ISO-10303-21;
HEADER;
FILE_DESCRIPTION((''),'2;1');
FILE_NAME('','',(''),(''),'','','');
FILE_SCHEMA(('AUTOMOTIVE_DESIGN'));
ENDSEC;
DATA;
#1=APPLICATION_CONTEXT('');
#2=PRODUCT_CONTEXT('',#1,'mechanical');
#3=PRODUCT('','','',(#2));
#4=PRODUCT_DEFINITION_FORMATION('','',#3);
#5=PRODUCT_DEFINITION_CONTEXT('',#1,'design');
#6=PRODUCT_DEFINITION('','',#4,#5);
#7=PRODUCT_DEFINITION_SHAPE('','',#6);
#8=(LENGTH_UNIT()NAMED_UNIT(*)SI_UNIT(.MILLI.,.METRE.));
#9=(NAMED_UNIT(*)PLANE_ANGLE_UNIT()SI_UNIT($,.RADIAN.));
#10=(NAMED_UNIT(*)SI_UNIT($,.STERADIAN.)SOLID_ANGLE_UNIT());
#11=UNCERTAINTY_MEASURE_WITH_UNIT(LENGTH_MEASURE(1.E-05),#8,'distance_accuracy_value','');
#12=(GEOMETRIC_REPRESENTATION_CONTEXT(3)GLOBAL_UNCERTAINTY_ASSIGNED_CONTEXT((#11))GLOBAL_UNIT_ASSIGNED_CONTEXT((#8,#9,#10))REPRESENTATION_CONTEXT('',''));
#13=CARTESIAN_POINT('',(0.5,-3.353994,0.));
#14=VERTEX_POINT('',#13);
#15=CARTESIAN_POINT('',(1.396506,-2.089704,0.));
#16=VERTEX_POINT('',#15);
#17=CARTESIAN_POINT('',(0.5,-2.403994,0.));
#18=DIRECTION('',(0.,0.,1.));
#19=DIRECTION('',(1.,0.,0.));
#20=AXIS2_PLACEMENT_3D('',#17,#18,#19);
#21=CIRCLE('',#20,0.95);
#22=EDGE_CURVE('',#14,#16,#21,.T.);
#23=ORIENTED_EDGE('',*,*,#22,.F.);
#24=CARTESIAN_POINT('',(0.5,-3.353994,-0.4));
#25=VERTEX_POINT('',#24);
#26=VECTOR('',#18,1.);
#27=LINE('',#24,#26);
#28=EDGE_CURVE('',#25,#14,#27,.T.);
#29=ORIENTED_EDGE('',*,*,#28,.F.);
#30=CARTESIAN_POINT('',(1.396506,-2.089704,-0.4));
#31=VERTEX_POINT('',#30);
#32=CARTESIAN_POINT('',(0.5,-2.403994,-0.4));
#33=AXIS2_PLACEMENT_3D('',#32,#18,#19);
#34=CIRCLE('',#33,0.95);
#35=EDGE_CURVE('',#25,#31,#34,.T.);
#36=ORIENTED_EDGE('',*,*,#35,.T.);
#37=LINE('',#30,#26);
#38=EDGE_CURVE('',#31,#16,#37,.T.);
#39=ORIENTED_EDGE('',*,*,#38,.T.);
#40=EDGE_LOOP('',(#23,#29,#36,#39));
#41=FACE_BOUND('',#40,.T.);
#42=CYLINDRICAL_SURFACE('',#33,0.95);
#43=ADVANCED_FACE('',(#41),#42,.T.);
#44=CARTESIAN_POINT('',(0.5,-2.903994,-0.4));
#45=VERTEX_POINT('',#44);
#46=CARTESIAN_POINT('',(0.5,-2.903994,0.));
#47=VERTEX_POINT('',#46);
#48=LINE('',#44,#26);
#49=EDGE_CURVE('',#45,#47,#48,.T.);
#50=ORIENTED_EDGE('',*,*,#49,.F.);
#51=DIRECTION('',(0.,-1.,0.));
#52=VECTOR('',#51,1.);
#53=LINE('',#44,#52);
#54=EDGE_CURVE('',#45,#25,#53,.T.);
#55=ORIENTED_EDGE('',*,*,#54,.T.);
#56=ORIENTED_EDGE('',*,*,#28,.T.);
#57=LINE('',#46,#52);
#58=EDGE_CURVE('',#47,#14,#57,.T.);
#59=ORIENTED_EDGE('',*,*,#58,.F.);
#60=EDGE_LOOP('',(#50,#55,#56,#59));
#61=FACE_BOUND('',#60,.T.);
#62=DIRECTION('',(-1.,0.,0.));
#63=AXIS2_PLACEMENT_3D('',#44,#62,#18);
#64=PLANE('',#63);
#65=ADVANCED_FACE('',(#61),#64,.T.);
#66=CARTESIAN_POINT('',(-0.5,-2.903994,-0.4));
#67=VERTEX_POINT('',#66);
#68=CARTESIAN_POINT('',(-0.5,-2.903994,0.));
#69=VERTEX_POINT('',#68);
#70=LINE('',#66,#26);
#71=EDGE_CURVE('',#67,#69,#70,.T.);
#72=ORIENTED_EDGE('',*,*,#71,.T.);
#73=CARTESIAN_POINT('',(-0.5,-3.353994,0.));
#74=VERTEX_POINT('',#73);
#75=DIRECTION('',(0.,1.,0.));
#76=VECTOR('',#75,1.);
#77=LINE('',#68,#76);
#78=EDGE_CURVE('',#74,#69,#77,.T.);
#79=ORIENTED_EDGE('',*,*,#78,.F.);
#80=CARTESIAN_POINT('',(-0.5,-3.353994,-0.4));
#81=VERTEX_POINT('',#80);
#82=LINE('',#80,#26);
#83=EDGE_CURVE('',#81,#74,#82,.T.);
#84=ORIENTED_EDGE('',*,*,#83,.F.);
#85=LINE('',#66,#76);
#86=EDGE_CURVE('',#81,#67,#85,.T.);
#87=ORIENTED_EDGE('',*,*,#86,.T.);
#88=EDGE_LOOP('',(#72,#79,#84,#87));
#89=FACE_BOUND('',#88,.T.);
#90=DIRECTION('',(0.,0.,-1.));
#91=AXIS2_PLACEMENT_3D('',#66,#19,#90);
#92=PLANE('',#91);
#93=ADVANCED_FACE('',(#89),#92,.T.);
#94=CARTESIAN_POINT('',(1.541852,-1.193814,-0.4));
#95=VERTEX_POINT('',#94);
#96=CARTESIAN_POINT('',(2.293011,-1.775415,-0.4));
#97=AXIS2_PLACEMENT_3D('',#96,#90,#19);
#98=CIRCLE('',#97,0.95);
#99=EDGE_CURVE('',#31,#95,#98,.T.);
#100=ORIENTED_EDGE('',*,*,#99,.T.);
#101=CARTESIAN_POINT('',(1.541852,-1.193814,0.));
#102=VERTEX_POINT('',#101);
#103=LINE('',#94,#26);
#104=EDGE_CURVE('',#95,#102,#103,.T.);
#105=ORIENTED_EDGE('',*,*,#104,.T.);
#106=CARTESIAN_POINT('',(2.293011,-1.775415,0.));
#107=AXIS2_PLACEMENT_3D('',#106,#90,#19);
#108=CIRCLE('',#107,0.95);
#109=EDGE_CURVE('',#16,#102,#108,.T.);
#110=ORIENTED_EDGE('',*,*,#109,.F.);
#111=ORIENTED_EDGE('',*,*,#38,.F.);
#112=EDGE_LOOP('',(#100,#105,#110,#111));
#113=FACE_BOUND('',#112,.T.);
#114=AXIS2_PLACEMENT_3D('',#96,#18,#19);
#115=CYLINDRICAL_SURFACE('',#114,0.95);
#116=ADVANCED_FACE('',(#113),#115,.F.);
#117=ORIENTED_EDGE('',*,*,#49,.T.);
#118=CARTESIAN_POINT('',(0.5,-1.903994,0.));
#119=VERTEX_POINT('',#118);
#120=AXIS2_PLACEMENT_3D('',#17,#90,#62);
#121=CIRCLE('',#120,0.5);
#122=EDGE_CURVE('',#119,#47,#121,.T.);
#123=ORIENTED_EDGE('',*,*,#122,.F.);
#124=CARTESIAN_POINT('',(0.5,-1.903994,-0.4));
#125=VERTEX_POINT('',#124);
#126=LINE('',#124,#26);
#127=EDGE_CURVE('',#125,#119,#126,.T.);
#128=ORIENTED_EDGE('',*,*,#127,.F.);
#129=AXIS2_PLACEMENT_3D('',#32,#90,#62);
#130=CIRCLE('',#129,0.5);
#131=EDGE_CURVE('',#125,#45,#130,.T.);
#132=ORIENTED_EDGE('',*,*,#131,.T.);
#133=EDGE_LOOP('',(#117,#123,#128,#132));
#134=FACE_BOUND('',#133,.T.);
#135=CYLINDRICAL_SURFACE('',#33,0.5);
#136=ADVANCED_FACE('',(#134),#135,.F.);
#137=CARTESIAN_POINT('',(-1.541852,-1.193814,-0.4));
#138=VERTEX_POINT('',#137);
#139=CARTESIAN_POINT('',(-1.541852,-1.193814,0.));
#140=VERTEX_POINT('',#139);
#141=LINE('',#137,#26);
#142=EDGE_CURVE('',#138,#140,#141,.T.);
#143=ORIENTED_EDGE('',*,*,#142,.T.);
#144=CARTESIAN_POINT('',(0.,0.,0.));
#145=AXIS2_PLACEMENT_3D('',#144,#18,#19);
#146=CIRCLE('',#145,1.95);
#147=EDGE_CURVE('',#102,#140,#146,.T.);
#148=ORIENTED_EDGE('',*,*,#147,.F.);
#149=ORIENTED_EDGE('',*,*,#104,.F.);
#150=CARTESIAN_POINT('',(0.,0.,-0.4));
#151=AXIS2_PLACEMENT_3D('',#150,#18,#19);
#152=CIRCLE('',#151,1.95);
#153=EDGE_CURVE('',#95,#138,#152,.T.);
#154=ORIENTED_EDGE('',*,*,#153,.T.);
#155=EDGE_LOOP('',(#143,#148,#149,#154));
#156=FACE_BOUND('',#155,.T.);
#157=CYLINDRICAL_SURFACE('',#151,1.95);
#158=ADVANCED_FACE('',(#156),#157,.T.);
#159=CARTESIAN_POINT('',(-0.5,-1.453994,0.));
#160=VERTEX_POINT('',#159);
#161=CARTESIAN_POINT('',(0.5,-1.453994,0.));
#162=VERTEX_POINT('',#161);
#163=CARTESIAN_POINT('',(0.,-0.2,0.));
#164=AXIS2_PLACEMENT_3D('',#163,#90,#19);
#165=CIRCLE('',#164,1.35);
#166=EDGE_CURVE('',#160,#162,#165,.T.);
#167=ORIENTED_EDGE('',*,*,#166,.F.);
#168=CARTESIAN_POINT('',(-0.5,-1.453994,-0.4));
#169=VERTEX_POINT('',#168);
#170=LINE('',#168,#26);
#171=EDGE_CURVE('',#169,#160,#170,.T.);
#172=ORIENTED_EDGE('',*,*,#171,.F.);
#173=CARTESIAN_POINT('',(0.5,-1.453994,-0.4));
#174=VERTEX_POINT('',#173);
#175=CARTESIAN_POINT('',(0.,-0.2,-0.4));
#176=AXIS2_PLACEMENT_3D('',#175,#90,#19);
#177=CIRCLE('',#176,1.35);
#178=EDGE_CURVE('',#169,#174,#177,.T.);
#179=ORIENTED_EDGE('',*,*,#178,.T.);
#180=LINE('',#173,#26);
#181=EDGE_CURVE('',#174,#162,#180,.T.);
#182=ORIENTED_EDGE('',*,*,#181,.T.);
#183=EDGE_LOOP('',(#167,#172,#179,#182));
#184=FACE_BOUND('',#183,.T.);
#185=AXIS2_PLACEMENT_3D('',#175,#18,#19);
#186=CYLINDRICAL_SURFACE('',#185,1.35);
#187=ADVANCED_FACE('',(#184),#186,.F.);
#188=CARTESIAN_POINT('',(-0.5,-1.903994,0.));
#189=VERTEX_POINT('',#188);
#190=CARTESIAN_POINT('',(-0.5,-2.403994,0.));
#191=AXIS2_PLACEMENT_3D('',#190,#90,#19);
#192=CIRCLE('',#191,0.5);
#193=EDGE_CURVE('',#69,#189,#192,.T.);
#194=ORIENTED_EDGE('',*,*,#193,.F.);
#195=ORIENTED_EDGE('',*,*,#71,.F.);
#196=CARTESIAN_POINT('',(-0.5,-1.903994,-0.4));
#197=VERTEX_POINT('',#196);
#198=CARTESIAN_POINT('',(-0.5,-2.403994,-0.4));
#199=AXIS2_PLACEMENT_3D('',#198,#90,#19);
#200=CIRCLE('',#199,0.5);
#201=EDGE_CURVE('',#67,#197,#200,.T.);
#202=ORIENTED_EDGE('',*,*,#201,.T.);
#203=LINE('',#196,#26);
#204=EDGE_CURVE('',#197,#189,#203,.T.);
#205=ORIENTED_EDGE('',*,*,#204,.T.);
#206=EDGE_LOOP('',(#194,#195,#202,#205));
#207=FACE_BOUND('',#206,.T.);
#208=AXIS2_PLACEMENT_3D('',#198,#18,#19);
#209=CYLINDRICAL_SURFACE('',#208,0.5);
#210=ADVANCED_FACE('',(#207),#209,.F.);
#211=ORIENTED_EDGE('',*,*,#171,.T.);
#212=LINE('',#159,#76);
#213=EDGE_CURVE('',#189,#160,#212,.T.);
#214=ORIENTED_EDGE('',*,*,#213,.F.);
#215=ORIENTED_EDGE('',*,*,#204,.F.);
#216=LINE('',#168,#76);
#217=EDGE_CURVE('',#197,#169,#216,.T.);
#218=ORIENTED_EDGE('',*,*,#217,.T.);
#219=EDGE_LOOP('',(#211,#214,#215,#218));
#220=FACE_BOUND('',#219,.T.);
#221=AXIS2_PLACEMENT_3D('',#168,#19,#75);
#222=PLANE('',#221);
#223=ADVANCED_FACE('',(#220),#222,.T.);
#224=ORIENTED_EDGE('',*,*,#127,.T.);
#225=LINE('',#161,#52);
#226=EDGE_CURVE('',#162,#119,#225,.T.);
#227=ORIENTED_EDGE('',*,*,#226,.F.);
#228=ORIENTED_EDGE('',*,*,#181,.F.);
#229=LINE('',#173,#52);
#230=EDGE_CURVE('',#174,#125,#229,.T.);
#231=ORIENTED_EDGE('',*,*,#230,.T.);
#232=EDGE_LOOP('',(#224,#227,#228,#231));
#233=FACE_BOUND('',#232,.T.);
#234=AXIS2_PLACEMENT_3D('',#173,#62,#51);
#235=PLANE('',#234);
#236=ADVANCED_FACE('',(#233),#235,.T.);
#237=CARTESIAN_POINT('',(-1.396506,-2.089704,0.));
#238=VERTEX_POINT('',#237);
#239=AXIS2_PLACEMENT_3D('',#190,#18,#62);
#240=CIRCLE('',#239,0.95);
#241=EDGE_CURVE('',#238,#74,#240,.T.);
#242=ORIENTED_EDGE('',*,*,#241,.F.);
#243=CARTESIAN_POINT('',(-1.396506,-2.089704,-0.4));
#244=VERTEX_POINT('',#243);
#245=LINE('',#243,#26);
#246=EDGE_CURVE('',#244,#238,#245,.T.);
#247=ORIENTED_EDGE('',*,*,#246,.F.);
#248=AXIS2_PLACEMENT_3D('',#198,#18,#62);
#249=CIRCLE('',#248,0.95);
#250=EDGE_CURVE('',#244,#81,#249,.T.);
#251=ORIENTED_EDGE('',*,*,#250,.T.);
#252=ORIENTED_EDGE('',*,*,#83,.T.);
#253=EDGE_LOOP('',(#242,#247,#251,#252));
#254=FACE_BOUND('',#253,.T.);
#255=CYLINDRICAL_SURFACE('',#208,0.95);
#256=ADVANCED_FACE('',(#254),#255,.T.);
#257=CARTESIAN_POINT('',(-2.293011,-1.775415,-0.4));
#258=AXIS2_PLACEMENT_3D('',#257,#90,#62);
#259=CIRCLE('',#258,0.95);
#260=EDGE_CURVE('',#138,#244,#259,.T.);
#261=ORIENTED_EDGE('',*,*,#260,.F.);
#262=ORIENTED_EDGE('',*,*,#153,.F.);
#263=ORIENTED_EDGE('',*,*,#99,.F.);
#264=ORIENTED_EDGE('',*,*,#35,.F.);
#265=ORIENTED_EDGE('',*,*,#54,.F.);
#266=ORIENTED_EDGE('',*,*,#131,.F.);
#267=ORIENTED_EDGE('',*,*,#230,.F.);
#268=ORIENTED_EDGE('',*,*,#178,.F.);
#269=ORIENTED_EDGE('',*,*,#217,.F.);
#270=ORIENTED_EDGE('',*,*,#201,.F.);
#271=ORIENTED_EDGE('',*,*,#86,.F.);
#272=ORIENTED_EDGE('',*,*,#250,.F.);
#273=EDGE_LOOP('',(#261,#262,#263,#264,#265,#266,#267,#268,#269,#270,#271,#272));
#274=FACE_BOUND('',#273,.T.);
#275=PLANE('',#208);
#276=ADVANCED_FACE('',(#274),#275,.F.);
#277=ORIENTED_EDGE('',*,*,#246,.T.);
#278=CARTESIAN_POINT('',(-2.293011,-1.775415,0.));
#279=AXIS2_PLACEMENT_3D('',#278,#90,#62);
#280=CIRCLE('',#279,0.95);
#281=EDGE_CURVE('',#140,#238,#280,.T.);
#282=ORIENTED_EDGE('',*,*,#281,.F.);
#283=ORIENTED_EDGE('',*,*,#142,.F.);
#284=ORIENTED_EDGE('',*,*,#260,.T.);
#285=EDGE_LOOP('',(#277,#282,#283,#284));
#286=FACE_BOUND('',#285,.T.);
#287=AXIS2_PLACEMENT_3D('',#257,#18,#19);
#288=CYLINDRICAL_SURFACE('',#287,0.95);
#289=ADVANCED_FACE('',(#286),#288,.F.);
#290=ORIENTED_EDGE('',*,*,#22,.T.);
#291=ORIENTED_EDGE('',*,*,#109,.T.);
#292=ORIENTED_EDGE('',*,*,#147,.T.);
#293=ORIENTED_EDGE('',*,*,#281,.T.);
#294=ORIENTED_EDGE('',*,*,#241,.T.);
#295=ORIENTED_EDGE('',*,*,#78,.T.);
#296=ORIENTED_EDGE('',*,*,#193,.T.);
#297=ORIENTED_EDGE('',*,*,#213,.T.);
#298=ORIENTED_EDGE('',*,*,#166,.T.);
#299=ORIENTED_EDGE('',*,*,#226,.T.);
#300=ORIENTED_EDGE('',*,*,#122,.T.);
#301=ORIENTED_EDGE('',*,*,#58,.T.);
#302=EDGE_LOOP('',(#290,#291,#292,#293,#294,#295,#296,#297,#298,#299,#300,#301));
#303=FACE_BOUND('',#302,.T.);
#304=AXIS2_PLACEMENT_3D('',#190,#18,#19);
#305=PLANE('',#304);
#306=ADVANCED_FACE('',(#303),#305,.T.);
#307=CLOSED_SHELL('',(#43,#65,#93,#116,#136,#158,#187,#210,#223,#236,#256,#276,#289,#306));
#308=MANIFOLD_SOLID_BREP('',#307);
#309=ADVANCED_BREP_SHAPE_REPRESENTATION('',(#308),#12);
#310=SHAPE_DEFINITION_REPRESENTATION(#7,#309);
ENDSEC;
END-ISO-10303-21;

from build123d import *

# Parameters (mm, degrees)
BODY_DEPTH = 0.4


with BuildPart() as part:
    # Sketch1 → Body (new body)
    with BuildSketch(Plane.XY):
        with BuildLine():
            Line((-0.5, -1.45399362), (-0.5, -1.90399362))
            ThreePointArc((-0.5, -1.90399362), (-1, -2.40399362), (-0.5, -2.90399362))
            Line((-0.5, -2.90399362), (-0.5, -3.35399362))
            ThreePointArc((-0.5, -3.35399362), (-1.274943451, -2.953504901), (-1.396505618, -2.089704458))
            ThreePointArc((-1.396505618, -2.089704458), (-1.355272146, -1.623279172), (-1.541852382, -1.193813734))
            ThreePointArc((-1.541852382, -1.193813734), (0, 1.95), (1.541852382, -1.193813734))
            ThreePointArc((1.541852382, -1.193813734), (1.355272146, -1.623279172), (1.396505618, -2.089704458))
            ThreePointArc((1.396505618, -2.089704458), (1.274943451, -2.953504901), (0.5, -3.35399362))
            Line((0.5, -3.35399362), (0.5, -2.90399362))
            ThreePointArc((0.5, -2.90399362), (1, -2.40399362), (0.5, -1.90399362))
            Line((0.5, -1.90399362), (0.5, -1.45399362))
            ThreePointArc((0.5, -1.45399362), (0, 1.15), (-0.5, -1.45399362))
        make_face()
    extrude(amount=-BODY_DEPTH)


solid = part.part
